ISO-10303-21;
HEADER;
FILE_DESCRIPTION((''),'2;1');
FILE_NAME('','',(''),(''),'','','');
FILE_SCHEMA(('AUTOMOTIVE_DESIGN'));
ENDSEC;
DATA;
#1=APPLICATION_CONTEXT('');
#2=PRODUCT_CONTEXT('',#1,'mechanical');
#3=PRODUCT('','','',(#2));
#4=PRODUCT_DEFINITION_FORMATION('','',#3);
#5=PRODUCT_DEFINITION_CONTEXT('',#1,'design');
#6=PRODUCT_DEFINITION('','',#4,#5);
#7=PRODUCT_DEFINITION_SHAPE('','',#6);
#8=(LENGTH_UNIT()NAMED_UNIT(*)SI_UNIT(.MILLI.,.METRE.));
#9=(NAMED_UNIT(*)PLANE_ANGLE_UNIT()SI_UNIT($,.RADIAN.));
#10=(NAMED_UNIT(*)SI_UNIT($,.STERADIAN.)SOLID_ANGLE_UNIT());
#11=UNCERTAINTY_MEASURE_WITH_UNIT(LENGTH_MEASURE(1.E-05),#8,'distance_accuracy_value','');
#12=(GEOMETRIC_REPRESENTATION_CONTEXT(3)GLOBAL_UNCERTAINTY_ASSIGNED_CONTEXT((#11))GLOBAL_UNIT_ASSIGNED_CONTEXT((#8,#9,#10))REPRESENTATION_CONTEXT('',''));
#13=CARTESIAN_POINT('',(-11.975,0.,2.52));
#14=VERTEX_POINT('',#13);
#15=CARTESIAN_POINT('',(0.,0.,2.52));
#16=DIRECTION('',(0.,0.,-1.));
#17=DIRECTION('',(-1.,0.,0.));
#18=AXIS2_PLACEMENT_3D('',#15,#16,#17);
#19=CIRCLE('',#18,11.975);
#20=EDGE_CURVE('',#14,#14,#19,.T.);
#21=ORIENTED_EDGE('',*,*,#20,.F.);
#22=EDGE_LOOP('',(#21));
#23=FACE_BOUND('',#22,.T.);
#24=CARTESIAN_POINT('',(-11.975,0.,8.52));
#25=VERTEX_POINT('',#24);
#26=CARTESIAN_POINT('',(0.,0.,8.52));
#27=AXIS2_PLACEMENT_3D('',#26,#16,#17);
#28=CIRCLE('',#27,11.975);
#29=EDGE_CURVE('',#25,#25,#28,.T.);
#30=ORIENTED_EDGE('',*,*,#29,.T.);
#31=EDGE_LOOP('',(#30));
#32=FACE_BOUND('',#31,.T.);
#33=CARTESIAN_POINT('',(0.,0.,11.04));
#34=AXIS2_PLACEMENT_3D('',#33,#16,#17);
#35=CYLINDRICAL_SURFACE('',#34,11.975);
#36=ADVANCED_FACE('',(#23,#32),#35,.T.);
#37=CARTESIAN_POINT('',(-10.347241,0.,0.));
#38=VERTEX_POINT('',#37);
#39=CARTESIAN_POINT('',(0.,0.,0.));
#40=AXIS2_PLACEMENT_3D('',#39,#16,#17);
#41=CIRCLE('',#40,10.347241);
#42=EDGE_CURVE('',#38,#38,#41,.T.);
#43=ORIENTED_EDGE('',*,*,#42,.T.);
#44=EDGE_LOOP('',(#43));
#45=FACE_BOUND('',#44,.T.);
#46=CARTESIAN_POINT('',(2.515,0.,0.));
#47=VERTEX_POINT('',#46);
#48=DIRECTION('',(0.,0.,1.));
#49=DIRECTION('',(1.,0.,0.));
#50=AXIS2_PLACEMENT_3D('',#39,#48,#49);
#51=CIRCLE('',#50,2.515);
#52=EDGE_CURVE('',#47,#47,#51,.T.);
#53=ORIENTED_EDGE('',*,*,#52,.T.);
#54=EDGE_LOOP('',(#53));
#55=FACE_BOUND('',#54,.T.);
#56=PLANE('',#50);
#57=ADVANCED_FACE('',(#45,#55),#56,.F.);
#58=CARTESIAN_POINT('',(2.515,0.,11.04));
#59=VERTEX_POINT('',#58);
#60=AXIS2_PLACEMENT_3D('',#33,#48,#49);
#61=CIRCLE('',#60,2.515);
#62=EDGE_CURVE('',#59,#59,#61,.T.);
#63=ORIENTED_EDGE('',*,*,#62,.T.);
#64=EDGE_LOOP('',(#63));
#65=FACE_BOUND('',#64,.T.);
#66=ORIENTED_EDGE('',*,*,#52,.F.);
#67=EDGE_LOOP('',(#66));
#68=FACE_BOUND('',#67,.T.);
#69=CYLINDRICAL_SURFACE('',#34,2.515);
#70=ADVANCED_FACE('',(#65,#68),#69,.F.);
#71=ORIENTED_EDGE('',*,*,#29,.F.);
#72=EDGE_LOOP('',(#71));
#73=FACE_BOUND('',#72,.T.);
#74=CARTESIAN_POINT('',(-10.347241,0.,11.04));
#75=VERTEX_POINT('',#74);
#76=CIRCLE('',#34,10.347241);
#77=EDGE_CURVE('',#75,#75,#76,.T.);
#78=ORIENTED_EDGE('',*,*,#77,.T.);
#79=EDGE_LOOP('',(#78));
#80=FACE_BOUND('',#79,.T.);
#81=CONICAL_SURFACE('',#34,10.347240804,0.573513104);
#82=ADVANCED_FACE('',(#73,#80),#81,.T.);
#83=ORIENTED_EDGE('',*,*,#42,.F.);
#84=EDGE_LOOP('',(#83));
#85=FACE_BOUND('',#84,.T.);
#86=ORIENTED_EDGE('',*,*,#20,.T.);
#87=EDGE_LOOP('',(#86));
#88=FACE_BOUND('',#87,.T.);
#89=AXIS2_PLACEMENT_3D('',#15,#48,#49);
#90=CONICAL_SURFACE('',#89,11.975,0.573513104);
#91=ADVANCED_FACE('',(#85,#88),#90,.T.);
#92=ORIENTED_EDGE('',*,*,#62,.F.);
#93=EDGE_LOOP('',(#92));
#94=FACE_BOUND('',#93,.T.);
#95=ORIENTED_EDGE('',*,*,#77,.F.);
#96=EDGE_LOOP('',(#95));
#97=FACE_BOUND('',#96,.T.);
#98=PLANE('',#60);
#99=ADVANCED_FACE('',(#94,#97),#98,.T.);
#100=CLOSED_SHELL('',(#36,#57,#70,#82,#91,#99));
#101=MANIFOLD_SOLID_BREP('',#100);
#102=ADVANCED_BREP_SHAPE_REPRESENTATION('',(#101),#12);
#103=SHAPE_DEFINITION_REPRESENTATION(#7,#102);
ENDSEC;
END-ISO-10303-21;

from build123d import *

# Parameters (mm, degrees)
SKETCH1_R           = 11.975
BOSS_EXTRUDE1_DEPTH = 11.04
SKETCH2_R           = 2.515
CUT_EXTRUDE1_DEPTH  = 11.04


with BuildPart() as part:
    # Sketch1 → Boss-Extrude1 (new body)
    with BuildSketch(Plane.XY):
        Circle(SKETCH1_R)
    extrude(amount=BOSS_EXTRUDE1_DEPTH)

    # Sketch2 → Cut-Extrude1 (cut)
    with BuildSketch(Plane.XY):
        Circle(SKETCH2_R)
    extrude(amount=CUT_EXTRUDE1_DEPTH, mode=Mode.SUBTRACT)

    # Sketch3 → Cut-Revolve4 (revolve, cut)
    with BuildSketch(Plane(origin=(0, 0, 0), x_dir=(1, 0, 0), z_dir=(0, 1, 0))):
        Polygon((-7.292190974, 0), (-10.347240804, 0), (-11.975, -2.52), (-11.975, -8.52), (-10.347240804, -11.04), (-6.458257889, -11.04), (-5.810000317, -18.325003181), (-21.89407965, -6.340173639), (-13.168343432, 5.370083322), align=None)
    revolve(axis=Axis((0, 0, -5.854641455), (0, 0, 1)), mode=Mode.SUBTRACT)


solid = part.part
